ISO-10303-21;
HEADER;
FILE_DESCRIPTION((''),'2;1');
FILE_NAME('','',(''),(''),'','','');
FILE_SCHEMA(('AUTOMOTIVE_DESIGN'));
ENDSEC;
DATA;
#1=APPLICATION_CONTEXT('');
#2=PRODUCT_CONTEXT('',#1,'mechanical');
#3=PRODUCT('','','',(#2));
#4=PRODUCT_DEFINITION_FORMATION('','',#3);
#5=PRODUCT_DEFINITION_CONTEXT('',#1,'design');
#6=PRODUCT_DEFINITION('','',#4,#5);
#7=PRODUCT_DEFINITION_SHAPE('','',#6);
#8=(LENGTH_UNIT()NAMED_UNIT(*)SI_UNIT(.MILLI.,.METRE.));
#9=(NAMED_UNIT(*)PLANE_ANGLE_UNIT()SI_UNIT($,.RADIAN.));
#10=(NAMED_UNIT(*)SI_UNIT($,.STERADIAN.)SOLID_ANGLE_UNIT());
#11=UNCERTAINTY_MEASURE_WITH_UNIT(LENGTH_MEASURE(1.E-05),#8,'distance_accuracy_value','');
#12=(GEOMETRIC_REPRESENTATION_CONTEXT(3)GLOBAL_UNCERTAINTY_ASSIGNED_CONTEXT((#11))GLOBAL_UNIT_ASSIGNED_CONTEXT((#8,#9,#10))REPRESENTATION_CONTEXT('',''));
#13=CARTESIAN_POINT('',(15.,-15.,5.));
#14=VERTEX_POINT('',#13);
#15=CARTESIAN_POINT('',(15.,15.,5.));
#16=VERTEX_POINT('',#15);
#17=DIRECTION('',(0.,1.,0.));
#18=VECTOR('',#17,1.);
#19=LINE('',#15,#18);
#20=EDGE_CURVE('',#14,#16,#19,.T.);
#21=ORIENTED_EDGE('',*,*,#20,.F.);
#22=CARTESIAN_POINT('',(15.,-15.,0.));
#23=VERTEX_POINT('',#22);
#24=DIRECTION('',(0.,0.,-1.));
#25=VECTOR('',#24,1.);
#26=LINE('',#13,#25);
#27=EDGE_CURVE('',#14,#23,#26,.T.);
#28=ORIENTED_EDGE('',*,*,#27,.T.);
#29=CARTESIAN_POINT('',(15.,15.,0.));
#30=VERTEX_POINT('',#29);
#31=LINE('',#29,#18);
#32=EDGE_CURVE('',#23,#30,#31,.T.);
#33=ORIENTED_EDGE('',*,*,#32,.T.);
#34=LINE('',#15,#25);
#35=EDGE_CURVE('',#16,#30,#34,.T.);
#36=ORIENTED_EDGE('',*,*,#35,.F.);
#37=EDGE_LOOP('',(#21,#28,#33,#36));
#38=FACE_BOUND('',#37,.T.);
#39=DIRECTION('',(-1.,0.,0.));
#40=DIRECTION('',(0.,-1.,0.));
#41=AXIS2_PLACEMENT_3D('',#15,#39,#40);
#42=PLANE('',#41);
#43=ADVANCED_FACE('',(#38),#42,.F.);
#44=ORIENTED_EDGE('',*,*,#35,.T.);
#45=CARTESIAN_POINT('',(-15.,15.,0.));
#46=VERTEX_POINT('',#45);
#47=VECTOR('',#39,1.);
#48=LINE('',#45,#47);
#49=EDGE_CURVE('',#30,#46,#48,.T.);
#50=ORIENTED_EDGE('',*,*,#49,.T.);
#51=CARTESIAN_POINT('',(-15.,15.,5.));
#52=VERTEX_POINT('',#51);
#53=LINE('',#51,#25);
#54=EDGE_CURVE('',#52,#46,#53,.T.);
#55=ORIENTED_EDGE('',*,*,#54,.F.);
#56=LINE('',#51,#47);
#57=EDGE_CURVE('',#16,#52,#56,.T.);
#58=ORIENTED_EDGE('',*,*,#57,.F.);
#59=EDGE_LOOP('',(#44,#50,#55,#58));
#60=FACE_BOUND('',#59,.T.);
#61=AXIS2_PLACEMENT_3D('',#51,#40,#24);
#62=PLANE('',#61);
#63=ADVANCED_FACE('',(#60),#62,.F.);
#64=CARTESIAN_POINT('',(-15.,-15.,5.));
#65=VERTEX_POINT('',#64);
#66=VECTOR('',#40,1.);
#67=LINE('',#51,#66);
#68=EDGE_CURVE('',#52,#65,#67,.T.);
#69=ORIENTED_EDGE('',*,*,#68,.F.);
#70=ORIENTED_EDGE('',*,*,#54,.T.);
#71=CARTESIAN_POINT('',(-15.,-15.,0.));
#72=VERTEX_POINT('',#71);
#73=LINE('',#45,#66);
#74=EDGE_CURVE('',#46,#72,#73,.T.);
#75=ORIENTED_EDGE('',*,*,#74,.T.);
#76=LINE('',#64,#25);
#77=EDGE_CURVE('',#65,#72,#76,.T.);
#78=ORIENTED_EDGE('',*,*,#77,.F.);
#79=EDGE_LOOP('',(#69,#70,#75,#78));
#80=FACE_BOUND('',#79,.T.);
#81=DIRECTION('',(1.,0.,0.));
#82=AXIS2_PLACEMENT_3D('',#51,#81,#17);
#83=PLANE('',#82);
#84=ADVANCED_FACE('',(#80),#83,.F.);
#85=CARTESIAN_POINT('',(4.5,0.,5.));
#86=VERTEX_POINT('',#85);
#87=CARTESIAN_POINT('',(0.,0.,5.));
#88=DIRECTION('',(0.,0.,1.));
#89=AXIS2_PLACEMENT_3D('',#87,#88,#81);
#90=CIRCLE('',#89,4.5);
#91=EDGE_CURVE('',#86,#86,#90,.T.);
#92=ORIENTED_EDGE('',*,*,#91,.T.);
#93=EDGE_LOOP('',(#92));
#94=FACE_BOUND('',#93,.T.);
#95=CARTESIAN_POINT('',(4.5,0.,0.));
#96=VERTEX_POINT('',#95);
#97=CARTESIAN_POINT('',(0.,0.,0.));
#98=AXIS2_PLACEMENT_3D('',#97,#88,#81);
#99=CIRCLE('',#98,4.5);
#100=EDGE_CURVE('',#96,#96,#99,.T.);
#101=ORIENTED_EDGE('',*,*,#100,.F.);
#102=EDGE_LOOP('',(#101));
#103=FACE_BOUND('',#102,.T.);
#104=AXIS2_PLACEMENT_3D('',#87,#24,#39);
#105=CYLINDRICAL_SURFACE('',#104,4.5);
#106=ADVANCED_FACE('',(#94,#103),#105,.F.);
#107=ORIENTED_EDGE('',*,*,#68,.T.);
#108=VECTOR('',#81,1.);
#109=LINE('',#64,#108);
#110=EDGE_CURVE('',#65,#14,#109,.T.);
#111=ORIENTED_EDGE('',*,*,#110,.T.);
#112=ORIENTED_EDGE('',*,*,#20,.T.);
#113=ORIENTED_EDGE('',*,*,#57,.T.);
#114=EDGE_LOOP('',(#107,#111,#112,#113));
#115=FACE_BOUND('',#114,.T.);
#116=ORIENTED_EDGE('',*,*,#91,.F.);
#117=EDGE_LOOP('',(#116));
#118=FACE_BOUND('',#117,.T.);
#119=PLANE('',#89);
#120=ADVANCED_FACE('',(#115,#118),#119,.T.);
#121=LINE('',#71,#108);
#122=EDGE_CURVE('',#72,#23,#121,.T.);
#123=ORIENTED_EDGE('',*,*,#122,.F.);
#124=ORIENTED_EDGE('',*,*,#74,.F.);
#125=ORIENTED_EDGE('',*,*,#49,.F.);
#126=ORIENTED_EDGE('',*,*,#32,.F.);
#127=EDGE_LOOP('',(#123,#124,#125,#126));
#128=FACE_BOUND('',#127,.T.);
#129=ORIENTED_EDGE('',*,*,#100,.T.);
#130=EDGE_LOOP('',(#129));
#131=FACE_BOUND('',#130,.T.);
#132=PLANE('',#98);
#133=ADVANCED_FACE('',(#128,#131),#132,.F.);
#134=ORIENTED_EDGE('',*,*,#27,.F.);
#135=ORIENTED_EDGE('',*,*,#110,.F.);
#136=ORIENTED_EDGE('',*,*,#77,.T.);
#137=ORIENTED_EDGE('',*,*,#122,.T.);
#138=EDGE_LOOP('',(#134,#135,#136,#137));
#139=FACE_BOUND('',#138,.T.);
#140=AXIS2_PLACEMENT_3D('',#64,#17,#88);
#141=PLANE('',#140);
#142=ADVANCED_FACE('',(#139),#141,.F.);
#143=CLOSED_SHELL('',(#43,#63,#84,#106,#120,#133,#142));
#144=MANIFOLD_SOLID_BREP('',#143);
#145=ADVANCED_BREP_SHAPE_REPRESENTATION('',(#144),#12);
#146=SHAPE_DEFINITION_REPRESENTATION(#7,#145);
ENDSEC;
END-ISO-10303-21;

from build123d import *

# Parameters (mm, degrees)
SKETCH_1_W      = 30
SKETCH_1_H      = 30
SKETCH_1_R      = 4.5
EXTRUDE_1_DEPTH = 5


with BuildPart() as part:
    # 草图1 → 凸台-拉伸1 (new body)
    with BuildSketch(Plane.XY):
        Rectangle(SKETCH_1_W, SKETCH_1_H)
        Circle(SKETCH_1_R, mode=Mode.SUBTRACT)
    extrude(amount=EXTRUDE_1_DEPTH)


solid = part.part
